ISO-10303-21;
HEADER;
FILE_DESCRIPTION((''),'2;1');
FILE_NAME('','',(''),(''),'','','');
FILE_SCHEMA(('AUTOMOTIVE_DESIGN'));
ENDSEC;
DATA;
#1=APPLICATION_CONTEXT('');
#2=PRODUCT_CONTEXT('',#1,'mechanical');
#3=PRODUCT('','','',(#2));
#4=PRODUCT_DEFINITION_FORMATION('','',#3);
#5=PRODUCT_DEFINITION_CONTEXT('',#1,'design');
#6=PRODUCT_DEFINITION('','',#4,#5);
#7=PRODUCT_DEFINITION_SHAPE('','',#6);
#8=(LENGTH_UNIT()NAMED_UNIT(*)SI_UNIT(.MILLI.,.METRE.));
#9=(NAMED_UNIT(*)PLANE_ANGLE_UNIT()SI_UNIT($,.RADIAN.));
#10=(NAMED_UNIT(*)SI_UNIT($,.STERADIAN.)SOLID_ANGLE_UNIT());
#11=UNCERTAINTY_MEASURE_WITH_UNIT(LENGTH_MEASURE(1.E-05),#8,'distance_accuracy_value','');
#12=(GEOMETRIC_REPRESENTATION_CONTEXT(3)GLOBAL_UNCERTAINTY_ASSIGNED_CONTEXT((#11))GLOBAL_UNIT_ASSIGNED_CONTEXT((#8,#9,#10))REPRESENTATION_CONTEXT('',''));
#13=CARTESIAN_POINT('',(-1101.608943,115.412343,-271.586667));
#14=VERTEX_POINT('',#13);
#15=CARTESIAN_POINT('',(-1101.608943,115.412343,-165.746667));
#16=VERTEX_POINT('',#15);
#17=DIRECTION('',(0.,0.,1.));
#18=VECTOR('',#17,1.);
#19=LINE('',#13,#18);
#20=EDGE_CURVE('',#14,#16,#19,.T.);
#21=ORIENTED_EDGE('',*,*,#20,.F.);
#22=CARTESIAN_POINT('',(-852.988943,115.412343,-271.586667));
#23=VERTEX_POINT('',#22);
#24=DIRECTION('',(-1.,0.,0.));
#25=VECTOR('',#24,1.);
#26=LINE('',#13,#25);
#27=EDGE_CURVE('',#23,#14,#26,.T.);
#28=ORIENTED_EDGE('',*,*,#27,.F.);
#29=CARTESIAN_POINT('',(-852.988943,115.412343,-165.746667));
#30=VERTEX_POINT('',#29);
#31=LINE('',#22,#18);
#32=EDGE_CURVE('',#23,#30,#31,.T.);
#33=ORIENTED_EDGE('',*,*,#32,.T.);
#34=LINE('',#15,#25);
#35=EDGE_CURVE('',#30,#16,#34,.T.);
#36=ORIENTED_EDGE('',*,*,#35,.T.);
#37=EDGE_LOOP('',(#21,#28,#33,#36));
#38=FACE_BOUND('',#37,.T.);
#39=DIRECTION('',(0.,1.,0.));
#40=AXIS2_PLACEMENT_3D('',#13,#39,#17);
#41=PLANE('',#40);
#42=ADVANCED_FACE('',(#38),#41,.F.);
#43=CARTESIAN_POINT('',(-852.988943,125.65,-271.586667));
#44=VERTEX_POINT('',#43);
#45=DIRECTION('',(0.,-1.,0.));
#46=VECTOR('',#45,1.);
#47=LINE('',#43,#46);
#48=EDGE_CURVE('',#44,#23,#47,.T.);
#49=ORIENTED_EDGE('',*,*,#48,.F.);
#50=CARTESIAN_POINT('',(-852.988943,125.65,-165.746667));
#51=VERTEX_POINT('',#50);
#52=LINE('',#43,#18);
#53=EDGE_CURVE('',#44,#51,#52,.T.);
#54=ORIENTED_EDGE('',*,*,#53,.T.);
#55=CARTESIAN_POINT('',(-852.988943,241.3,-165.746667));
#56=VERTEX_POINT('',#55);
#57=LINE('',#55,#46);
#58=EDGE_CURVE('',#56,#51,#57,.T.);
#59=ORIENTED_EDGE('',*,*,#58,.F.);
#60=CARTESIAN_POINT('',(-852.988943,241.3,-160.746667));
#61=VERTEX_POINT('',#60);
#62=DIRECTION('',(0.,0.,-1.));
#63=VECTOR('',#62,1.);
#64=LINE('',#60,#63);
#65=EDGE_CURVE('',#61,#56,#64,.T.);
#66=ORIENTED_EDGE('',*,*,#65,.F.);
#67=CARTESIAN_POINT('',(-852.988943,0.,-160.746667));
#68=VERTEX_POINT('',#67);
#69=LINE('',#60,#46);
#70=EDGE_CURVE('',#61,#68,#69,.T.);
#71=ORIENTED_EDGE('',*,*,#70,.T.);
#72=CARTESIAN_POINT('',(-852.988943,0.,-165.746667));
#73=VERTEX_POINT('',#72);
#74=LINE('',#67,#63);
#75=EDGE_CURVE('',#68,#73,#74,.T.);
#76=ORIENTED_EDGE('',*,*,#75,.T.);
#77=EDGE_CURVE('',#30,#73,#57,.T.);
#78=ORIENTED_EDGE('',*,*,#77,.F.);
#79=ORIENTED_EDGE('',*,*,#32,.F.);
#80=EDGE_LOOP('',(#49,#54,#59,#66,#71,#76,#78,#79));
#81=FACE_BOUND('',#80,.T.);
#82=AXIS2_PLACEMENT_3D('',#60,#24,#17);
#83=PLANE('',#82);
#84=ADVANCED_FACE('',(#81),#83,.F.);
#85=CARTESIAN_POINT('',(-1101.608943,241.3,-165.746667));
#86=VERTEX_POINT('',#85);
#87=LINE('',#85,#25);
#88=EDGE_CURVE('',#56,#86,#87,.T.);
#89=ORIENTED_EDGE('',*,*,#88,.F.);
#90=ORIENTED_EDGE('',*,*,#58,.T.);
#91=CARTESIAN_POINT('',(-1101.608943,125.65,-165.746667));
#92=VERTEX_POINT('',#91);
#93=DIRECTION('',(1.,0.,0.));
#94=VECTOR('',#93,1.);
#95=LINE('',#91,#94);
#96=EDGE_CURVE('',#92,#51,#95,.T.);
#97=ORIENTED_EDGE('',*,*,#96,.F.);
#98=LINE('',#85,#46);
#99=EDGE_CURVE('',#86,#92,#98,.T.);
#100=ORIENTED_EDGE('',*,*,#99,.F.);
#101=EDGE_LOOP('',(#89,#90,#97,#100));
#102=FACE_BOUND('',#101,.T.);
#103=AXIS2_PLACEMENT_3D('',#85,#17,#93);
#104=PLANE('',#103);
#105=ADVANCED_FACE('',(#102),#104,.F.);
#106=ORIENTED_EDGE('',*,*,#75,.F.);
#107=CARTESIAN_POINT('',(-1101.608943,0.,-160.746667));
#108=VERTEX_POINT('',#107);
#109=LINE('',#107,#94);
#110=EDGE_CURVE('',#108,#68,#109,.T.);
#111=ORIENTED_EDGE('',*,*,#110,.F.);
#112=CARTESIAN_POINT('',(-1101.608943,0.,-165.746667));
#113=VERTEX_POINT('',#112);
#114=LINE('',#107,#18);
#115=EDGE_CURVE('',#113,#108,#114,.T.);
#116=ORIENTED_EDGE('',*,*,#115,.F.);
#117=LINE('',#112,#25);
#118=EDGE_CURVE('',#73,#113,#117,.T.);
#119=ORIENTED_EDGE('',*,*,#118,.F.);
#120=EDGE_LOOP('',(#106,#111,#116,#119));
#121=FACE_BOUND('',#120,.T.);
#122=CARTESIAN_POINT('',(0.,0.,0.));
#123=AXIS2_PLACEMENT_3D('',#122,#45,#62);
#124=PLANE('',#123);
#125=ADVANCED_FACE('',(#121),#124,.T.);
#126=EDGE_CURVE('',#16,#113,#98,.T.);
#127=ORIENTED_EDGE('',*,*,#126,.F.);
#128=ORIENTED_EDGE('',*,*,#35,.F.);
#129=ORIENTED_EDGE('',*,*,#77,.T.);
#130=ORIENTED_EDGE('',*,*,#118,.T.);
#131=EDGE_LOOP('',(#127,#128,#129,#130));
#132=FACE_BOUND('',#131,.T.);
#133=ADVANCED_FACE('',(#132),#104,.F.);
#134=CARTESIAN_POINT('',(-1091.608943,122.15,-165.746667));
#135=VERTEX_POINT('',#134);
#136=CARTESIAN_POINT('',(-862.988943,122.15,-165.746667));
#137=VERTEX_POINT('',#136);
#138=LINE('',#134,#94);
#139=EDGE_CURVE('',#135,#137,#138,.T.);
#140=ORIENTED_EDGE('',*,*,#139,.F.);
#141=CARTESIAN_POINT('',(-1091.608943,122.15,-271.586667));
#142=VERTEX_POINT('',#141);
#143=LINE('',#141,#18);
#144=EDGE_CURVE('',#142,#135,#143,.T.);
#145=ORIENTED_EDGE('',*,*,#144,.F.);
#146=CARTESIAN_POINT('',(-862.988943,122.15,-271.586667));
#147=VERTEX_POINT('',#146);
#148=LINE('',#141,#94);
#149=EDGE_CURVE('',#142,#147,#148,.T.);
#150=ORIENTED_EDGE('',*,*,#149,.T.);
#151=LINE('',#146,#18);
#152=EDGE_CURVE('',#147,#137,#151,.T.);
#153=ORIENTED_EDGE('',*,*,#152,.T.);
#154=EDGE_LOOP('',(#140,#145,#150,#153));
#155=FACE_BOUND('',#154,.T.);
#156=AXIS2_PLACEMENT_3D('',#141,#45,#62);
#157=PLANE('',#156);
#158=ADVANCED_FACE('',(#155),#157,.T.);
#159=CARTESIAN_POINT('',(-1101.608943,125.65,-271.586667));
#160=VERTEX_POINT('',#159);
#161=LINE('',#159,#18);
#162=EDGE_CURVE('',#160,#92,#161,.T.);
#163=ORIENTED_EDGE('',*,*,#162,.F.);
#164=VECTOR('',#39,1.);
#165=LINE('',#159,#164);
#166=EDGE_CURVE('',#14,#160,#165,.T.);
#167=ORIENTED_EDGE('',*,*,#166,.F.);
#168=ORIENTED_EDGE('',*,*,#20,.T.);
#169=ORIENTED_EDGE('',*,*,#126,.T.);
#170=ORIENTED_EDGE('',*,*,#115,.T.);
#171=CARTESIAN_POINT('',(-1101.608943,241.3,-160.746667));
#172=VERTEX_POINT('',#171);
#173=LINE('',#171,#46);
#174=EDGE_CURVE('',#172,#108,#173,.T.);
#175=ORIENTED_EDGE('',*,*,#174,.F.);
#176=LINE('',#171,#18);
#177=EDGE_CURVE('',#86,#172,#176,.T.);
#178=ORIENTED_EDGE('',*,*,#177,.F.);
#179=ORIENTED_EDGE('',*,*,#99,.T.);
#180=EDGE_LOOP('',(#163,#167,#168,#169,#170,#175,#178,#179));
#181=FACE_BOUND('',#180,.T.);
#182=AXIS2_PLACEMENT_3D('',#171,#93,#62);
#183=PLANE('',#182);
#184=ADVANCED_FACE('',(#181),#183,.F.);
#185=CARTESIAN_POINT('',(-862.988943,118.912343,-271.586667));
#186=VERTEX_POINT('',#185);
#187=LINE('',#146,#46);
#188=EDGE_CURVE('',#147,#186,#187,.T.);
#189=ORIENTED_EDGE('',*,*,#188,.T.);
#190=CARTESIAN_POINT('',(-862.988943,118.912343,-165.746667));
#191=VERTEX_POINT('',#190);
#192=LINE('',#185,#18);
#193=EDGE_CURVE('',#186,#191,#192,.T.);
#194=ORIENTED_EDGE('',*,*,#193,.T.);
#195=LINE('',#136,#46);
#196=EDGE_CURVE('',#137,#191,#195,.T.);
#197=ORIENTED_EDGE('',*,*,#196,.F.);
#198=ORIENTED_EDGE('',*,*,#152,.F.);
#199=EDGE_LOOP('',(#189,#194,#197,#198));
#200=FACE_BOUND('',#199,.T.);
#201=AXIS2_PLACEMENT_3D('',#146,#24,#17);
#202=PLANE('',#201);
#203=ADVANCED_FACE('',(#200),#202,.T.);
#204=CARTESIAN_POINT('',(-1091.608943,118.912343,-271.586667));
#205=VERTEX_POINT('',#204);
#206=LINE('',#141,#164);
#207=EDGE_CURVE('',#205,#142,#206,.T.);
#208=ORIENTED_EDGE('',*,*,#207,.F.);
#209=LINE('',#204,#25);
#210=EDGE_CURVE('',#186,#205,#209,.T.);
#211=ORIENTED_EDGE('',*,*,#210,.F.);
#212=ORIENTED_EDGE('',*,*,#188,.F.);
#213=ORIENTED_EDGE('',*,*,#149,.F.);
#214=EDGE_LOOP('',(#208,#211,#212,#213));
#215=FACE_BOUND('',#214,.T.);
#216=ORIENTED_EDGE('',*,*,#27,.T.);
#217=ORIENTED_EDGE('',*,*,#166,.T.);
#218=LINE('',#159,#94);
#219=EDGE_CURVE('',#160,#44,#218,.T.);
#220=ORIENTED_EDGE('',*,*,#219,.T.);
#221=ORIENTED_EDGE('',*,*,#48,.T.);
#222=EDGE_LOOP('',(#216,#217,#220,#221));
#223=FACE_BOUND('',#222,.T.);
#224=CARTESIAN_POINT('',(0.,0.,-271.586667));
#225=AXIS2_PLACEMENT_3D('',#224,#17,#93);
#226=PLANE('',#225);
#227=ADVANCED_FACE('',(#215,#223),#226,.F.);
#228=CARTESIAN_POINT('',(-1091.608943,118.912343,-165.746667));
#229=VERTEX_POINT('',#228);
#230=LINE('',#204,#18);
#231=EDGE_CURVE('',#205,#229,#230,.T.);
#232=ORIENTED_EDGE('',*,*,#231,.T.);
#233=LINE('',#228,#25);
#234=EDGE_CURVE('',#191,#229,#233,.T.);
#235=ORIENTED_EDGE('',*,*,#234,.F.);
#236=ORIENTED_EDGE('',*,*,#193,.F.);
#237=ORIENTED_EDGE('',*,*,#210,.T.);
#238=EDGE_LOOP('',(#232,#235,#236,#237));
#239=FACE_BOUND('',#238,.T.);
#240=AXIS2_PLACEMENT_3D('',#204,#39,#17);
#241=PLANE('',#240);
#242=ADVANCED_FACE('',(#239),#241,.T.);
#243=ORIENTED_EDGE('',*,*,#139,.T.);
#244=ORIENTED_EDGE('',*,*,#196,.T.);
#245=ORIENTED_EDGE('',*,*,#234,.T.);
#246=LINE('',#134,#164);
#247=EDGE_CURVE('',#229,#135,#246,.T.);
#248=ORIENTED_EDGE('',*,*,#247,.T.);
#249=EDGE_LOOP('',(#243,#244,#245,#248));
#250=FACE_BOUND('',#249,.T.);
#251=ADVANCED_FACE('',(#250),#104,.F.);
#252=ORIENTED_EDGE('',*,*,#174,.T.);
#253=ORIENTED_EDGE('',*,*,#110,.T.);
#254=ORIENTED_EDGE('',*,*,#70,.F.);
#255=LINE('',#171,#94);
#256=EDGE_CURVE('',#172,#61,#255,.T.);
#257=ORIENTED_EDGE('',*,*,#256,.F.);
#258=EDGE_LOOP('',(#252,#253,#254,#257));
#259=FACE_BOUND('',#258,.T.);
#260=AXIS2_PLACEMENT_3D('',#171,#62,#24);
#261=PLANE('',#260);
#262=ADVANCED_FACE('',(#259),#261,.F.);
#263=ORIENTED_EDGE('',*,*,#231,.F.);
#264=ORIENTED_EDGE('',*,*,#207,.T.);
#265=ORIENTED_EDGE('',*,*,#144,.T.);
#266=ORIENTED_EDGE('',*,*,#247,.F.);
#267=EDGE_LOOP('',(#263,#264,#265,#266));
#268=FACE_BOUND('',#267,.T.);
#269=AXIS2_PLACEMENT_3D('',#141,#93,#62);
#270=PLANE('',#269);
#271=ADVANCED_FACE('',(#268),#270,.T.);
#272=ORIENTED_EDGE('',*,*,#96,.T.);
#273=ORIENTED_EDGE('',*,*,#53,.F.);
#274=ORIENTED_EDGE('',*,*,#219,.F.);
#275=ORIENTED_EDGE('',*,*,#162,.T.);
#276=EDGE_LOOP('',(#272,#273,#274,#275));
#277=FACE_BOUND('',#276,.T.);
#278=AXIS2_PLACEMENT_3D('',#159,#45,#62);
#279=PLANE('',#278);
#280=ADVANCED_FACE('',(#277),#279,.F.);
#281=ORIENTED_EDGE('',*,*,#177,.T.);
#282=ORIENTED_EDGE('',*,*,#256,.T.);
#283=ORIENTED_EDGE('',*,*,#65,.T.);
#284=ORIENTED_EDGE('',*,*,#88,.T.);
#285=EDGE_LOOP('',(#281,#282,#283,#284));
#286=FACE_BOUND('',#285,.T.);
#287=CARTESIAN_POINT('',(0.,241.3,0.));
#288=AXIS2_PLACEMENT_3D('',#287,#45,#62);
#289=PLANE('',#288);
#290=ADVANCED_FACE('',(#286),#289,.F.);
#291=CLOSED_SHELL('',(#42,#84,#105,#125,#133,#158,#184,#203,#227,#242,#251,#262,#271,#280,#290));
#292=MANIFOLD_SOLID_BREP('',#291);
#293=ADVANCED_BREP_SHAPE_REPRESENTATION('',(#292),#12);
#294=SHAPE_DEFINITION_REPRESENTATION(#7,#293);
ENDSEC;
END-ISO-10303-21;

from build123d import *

# Parameters (mm, degrees)
SKETCH2_W           = 248.62
SKETCH2_H           = 5
BOSS_EXTRUDE1_DEPTH = 241.3
SKETCH3_W           = 248.62
SKETCH3_H           = 10.237657085
SKETCH3_W_2         = 228.62
SKETCH3_H_2         = 3.237657085
BOSS_EXTRUDE2_DEPTH = 105.84


with BuildPart() as part:
    # Sketch2 → Boss-Extrude1 (new body)
    with BuildSketch(Plane(origin=(0, 0, 0), x_dir=(1, 0, 0), z_dir=(0, 1, 0))):
        with Locations((-977.298943089, 163.246666667)):
            Rectangle(SKETCH2_W, SKETCH2_H)
    extrude(amount=BOSS_EXTRUDE1_DEPTH)

    # Sketch3 → Boss-Extrude2 (add)
    with BuildSketch(Plane(origin=(0, 0, -165.746666667), x_dir=(-1, 0, 0), z_dir=(0, 0, -1))):
        with Locations((977.298943089, 120.531171458)):
            Rectangle(SKETCH3_W, SKETCH3_H)
        with Locations((977.298943089, 120.531171458)):
            Rectangle(SKETCH3_W_2, SKETCH3_H_2, mode=Mode.SUBTRACT)
    extrude(amount=BOSS_EXTRUDE2_DEPTH)


solid = part.part
